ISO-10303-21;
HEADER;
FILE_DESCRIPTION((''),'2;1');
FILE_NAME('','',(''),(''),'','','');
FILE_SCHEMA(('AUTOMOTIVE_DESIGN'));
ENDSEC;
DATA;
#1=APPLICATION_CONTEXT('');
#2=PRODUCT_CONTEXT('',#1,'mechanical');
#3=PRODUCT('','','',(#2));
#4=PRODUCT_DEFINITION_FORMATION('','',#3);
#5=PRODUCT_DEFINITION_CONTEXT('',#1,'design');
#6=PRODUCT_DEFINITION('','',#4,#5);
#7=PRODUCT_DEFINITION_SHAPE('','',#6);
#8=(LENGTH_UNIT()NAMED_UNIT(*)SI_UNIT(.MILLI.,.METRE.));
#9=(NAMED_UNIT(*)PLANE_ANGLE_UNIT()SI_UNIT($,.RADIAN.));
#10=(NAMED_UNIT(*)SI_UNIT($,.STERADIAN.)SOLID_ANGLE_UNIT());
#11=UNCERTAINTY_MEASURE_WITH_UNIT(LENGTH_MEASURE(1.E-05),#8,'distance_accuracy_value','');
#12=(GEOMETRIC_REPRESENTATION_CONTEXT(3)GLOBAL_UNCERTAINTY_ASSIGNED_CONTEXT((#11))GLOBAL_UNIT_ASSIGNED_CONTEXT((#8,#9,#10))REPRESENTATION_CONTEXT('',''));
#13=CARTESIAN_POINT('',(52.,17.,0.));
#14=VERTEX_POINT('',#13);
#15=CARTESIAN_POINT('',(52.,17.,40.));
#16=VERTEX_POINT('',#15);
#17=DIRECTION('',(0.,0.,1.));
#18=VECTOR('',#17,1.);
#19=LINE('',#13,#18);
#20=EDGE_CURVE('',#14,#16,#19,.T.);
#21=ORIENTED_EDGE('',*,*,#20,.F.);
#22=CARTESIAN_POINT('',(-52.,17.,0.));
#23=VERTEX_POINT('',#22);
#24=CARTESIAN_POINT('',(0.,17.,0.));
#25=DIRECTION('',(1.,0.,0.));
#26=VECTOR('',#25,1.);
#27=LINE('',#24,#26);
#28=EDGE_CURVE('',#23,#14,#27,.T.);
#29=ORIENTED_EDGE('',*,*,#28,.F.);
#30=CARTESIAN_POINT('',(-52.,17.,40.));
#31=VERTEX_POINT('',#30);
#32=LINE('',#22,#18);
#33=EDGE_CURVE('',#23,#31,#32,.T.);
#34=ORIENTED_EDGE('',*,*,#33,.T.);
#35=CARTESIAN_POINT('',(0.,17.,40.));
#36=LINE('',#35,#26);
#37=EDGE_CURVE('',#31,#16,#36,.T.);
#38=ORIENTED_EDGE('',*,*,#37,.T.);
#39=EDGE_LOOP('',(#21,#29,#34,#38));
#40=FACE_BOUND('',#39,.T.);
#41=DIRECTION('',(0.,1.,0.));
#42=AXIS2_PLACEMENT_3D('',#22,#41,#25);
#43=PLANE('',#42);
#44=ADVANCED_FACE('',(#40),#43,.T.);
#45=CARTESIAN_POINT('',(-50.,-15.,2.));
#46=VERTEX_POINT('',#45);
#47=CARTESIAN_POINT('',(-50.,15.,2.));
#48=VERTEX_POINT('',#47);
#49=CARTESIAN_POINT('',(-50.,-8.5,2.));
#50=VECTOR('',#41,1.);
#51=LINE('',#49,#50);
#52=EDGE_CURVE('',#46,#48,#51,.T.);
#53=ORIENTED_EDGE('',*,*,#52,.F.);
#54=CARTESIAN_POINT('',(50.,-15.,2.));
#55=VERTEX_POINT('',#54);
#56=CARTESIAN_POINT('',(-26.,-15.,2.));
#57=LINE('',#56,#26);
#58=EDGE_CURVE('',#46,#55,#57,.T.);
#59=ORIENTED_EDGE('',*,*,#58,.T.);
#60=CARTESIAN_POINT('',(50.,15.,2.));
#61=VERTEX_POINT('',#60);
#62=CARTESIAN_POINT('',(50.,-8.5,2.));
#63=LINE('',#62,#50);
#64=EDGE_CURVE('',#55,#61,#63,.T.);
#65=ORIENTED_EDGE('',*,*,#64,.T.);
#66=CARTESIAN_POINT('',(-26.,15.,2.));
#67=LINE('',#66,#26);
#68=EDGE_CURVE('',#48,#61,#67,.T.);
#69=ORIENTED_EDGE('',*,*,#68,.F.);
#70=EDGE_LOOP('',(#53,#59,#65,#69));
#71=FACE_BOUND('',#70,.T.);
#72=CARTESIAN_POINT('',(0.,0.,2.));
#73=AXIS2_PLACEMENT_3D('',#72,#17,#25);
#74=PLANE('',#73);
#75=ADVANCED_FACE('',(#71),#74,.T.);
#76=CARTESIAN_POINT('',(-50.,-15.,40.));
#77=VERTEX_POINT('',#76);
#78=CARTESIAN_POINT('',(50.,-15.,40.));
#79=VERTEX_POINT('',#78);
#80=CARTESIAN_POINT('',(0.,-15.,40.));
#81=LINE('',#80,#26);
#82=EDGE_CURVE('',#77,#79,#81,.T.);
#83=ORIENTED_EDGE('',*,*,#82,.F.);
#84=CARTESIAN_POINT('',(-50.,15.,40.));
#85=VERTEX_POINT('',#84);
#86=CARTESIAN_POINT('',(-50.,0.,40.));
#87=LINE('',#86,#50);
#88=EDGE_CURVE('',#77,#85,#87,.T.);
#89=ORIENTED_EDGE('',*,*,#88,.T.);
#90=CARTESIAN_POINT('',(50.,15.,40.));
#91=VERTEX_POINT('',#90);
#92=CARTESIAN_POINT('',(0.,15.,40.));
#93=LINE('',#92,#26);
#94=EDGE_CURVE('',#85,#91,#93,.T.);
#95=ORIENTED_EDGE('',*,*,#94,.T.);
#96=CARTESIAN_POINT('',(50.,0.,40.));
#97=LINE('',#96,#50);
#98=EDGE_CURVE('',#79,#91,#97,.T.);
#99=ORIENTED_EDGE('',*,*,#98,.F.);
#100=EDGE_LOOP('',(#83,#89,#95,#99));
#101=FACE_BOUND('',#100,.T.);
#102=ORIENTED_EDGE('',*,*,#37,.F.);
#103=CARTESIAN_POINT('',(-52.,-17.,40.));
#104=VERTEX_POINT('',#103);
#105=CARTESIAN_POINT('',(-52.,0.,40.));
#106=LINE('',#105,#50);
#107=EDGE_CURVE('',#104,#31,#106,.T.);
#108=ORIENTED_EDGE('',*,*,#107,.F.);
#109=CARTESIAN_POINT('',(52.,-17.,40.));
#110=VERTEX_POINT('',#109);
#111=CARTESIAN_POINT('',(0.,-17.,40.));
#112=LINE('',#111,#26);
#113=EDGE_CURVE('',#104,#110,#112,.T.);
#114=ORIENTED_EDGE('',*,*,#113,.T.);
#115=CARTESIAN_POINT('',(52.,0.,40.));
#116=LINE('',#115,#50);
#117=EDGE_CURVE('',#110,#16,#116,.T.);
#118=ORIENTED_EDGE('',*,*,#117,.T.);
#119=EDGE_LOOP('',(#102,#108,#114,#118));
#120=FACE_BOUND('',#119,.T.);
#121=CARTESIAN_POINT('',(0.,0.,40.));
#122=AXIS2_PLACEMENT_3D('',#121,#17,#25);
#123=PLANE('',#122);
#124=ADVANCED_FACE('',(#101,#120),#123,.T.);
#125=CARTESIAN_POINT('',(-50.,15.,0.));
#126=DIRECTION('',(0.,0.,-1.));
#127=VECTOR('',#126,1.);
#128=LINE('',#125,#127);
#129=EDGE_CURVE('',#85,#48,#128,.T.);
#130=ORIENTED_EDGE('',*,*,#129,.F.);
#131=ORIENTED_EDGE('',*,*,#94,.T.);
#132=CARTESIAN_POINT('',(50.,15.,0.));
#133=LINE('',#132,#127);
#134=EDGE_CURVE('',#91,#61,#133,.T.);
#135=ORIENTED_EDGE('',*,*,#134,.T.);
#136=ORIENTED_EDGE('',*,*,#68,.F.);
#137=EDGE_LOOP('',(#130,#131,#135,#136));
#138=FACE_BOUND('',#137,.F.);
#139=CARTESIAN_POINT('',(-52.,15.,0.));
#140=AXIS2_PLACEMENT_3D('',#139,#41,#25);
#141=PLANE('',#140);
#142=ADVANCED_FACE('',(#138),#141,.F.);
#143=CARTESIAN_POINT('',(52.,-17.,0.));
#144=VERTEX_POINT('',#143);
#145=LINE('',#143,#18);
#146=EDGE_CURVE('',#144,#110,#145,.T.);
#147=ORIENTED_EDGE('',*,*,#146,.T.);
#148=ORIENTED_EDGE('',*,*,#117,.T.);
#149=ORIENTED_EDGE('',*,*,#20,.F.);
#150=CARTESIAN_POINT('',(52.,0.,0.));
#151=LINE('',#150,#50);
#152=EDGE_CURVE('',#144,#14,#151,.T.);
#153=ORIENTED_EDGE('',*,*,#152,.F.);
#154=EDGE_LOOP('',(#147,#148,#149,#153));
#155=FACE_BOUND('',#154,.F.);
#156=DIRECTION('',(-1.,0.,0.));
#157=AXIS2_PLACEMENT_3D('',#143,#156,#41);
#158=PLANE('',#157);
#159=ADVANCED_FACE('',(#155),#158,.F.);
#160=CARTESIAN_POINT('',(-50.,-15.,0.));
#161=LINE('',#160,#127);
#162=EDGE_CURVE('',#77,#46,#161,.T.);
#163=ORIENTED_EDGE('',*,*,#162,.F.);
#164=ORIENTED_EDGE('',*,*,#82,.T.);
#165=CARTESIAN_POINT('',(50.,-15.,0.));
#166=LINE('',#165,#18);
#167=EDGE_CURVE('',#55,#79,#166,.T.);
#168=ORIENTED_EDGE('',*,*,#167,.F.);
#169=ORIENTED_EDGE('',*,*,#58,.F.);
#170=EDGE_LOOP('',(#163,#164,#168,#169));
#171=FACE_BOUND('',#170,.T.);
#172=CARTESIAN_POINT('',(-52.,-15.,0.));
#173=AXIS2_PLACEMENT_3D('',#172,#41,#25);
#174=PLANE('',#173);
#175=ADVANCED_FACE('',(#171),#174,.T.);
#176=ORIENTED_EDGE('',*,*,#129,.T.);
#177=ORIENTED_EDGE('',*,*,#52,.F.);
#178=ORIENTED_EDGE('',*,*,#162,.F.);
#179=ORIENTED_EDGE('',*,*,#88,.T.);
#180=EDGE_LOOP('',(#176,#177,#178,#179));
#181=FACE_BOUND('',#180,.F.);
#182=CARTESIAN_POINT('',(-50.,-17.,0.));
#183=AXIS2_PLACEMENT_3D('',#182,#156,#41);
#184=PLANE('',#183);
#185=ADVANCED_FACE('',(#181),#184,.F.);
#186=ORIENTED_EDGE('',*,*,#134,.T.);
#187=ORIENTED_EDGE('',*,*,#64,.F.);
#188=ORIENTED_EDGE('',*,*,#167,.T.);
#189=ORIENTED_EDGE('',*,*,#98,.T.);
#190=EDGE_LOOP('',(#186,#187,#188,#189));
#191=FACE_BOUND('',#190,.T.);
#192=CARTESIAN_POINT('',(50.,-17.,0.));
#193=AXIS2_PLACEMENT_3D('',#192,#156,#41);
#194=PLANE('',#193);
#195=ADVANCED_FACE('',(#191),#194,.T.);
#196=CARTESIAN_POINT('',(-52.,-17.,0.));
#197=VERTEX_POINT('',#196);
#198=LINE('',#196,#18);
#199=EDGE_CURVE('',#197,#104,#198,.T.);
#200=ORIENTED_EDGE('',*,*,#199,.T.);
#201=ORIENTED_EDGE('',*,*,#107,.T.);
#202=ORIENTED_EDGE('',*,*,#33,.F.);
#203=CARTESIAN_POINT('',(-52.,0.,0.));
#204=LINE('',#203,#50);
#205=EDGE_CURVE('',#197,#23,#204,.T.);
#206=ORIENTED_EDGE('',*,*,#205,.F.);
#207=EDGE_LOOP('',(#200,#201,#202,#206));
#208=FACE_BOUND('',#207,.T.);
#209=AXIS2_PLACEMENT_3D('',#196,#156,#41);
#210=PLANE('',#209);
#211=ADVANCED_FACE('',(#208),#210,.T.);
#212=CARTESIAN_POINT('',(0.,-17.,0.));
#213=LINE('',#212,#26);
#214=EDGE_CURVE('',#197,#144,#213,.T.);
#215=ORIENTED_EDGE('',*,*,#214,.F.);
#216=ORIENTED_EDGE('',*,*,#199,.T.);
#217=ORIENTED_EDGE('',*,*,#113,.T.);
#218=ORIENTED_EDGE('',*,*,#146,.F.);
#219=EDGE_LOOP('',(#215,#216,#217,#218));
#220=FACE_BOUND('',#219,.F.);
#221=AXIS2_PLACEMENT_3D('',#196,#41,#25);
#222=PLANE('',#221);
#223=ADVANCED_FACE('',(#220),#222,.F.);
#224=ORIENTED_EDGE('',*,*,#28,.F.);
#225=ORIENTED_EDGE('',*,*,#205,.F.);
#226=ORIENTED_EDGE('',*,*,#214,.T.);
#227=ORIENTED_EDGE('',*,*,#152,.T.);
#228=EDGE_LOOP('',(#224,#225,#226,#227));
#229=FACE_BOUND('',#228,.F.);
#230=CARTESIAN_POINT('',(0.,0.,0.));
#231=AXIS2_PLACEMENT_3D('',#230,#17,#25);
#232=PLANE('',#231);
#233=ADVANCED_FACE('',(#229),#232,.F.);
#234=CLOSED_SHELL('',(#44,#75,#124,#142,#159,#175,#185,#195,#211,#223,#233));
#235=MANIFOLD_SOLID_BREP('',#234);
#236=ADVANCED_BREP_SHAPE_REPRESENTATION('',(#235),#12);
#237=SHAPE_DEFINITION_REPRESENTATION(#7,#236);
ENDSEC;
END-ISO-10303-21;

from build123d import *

# Parameters (mm, degrees)
SKETCH_W    = 104
SKETCH_H    = 34
PAD_DEPTH   = 40
THICKNESS_T = -2


with BuildPart() as part:
    # Sketch → Pad (new body)
    with BuildSketch(Plane.XY):
        Rectangle(SKETCH_W, SKETCH_H)
    extrude(amount=PAD_DEPTH)

    # Thickness
    thickness_openings = [part.faces().sort_by_distance(p)[0] for p in [
        (0, 0, 40),
    ]]
    offset(amount=THICKNESS_T, openings=thickness_openings)


solid = part.part
